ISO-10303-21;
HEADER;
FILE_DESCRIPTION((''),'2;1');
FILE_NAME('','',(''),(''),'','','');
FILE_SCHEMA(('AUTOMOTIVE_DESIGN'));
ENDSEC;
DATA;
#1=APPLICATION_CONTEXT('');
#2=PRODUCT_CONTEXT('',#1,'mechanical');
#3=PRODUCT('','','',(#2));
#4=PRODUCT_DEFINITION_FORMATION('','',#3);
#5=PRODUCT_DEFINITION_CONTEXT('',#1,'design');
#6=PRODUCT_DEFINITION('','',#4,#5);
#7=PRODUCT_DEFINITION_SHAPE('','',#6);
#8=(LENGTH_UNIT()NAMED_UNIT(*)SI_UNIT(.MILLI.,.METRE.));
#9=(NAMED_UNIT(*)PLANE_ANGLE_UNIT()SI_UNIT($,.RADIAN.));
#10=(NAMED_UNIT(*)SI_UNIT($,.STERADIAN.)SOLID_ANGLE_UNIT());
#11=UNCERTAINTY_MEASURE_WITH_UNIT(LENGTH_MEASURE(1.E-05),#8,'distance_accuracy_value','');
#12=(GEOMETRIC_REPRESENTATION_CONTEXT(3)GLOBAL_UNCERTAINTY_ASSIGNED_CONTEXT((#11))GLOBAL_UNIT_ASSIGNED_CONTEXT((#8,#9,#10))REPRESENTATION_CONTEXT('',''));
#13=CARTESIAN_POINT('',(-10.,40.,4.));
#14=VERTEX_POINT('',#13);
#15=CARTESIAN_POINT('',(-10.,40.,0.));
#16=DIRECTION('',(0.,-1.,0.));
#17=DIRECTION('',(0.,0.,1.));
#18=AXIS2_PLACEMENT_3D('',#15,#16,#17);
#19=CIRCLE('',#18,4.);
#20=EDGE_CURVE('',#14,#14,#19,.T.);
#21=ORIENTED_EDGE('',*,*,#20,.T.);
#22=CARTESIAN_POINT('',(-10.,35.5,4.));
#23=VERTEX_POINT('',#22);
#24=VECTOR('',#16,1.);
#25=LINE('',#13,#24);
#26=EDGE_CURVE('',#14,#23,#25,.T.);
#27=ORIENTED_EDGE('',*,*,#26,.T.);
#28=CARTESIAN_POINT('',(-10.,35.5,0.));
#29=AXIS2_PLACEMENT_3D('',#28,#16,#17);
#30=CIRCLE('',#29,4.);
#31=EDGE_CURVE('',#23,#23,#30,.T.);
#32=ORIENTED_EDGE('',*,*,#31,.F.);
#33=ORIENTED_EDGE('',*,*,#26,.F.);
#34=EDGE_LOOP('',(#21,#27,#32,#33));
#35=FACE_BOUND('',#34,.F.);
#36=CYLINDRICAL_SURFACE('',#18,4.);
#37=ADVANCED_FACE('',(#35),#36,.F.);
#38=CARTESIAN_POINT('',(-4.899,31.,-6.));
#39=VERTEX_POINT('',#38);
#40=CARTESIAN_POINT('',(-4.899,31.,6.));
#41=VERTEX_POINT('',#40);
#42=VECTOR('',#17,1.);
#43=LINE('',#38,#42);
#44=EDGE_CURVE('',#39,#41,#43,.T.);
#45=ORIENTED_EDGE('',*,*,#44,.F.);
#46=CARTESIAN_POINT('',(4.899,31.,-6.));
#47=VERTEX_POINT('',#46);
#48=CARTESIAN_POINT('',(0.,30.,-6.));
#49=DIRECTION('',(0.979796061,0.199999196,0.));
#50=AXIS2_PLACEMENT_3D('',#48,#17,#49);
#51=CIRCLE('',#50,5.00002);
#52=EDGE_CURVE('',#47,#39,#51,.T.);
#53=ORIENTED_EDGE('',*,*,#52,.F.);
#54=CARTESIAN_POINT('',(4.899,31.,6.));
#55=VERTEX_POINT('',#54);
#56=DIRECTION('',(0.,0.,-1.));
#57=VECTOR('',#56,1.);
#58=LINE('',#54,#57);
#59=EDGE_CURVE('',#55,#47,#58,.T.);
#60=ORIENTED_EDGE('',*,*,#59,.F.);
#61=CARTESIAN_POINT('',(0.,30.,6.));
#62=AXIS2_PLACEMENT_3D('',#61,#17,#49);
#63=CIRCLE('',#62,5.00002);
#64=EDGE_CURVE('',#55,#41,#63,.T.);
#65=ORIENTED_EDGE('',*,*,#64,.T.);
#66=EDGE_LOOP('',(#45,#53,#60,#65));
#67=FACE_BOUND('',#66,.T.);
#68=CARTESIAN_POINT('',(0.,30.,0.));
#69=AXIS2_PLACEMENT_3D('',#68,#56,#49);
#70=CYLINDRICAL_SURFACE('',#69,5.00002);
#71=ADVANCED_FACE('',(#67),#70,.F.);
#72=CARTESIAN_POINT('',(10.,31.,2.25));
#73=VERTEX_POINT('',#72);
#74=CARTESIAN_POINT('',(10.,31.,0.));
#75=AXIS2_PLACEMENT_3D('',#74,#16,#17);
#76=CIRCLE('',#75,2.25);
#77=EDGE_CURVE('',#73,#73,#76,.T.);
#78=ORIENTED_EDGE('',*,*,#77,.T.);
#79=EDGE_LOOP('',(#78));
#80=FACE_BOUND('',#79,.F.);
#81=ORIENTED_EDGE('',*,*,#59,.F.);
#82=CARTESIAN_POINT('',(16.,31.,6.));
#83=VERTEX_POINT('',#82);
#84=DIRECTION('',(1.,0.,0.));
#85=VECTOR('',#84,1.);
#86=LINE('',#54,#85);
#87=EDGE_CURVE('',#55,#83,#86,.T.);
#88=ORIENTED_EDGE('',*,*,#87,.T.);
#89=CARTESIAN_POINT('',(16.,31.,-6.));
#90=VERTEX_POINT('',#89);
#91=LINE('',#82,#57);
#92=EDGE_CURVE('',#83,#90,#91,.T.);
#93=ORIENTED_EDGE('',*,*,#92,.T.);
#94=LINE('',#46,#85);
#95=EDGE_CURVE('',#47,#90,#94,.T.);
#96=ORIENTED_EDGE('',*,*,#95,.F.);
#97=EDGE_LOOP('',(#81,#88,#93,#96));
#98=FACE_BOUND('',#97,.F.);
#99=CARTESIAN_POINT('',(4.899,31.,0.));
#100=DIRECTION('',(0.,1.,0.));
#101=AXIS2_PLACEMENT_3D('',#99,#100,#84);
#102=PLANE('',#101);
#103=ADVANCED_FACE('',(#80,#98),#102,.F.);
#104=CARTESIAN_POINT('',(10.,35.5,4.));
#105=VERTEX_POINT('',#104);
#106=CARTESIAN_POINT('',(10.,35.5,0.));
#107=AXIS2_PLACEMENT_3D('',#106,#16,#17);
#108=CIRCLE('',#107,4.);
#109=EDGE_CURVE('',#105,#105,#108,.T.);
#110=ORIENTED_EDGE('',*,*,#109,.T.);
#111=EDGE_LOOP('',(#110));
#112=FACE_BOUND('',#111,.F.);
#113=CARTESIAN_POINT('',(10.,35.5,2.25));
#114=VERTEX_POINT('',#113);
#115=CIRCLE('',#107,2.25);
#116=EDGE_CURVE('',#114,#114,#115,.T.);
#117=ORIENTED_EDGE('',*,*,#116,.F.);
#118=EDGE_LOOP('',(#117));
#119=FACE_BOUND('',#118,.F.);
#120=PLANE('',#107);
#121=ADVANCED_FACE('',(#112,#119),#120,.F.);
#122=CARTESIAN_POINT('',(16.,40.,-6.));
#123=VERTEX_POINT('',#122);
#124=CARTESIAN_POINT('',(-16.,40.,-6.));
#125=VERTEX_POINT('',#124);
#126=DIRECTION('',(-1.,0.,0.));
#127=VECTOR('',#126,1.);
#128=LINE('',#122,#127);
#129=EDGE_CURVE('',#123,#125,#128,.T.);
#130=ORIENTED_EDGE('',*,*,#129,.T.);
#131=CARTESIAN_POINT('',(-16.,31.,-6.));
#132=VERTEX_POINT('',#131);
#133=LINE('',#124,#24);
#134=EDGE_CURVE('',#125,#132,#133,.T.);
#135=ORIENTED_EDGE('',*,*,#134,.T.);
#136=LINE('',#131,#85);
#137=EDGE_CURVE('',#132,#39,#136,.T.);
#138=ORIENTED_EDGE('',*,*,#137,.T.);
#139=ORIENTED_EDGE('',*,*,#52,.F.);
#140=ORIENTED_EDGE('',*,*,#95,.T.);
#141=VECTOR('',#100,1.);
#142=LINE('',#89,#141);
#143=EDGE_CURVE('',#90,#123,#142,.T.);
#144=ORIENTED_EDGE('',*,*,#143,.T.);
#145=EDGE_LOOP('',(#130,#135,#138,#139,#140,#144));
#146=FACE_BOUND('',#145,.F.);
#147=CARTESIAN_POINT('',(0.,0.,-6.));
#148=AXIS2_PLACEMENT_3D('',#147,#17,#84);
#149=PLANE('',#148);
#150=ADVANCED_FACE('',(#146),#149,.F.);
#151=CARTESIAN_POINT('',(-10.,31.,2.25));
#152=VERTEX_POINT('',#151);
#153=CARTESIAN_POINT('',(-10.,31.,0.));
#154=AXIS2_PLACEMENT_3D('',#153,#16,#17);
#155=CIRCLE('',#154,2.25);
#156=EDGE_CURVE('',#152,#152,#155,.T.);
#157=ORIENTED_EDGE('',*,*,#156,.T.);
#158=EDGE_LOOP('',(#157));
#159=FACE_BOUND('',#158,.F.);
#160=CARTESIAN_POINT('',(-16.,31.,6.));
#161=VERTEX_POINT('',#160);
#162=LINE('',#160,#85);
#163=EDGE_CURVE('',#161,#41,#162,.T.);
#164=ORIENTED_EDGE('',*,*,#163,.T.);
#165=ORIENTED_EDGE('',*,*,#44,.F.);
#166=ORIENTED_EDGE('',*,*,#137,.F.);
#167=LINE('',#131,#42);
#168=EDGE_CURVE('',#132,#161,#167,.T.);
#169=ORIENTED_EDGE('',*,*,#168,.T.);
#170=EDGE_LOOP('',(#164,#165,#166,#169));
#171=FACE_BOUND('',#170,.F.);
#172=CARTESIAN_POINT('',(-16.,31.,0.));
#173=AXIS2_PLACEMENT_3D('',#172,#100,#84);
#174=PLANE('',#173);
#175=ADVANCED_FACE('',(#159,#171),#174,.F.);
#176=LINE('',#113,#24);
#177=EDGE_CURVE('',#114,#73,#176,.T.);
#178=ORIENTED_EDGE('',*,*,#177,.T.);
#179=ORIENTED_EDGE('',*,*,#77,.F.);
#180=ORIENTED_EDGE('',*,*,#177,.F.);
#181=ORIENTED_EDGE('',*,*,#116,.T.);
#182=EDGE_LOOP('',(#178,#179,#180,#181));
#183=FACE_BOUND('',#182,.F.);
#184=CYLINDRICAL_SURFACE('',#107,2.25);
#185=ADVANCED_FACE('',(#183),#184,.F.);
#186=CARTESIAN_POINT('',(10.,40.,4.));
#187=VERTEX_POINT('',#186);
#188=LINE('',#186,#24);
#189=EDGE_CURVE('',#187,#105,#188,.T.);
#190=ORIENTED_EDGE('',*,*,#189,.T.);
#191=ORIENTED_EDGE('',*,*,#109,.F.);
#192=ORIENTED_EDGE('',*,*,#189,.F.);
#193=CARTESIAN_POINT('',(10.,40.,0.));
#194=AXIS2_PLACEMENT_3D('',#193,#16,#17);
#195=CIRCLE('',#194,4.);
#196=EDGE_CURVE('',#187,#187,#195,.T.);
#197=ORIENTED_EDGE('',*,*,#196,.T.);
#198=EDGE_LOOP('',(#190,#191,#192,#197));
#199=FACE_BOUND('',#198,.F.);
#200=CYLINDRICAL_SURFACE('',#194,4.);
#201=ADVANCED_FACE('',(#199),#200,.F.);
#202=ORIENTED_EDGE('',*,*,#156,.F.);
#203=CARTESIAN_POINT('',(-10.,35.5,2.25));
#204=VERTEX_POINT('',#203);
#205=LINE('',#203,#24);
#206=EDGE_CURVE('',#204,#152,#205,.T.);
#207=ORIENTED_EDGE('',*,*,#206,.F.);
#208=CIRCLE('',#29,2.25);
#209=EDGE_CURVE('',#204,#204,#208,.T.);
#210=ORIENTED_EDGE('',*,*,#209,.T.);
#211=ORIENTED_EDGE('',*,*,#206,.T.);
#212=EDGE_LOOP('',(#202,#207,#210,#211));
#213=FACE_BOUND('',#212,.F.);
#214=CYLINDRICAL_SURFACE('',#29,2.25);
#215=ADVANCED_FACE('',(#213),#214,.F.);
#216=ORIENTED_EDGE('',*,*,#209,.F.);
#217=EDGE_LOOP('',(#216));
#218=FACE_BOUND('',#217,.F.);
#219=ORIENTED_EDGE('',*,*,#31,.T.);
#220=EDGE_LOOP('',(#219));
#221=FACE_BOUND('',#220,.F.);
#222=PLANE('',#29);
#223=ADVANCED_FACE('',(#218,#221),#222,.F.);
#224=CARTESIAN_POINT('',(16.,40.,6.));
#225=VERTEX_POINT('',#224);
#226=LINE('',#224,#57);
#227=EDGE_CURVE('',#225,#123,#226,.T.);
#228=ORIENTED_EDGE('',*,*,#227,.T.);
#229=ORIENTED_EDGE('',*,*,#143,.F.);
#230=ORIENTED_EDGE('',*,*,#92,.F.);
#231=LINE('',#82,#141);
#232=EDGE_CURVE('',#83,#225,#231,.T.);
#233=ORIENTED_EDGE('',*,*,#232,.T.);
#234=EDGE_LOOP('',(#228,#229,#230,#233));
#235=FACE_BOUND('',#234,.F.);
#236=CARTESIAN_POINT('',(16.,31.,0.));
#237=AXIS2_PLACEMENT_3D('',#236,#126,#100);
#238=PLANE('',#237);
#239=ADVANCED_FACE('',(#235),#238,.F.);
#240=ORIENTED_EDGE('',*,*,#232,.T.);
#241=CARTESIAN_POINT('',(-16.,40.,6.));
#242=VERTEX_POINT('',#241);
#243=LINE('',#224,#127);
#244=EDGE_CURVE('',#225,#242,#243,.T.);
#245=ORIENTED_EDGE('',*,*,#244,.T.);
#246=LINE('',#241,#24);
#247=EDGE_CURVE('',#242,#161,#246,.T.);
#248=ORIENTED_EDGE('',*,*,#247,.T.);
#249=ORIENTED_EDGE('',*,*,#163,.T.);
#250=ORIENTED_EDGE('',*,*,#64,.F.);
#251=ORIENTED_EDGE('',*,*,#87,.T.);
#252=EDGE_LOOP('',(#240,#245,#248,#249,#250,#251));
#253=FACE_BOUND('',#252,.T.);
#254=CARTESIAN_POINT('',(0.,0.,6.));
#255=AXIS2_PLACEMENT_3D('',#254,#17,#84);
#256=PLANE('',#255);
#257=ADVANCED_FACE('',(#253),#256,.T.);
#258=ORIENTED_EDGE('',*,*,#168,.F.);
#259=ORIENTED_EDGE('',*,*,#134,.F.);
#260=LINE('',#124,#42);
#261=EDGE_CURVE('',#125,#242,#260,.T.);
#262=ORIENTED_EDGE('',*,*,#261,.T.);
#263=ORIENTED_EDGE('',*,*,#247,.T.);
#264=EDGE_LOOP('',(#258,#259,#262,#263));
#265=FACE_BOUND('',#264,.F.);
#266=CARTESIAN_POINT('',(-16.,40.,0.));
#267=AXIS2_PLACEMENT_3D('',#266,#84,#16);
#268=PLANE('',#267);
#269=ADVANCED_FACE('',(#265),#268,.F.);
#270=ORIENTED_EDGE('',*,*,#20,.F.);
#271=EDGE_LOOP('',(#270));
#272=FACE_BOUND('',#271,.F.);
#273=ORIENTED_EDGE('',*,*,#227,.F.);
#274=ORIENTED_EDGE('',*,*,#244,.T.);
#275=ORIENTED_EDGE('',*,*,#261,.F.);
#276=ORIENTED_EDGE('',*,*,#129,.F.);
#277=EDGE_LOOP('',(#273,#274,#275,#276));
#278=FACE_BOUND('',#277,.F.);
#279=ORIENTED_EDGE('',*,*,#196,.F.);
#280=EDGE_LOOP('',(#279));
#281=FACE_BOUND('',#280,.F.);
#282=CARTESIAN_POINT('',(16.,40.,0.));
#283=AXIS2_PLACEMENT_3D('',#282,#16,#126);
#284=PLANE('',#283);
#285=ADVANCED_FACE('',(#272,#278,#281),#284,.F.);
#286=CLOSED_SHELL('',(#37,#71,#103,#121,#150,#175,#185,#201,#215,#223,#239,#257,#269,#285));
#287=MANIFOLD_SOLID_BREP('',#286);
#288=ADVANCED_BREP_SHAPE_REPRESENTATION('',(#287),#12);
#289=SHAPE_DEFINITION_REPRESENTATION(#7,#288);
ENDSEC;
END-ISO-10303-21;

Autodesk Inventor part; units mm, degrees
sketch "Sketch_10" plane through (0, 0, 0) normal (0, 0, 1) x (1, 0, 0)
  line L0 (-16, 40) -> (-16, 31)
  line L1 (-16, 31) -> (-4.899, 31)
  arc A0 (4.899, 31) -> (-4.899, 31) centre (0, 30) ccw
  line L2 (4.899, 31) -> (16, 31)
  line L3 (16, 31) -> (16, 40)
  line L4 (16, 40) -> (-16, 40)
extrude "Extrusion1" add sketch "Sketch_10" along normal mid plane 12
sketch "Sketch2" plane through (-16, 40, 6) normal (0, 1, 0) x (1, 0, 0)
  point P0 (26, 6)
hole "Hole1" at (10, 40, 0) direction (0, -1, 0) diameter 4.5 depth 9 counterbore diameter 8 counterbore depth 4.5
sketch "Sketch3" plane through (-16, 40, 6) normal (0, 1, 0) x (1, 0, 0)
  point P0 (6, 6)
hole "Hole2" at (-10, 40, 0) direction (0, -1, 0) diameter 4.5 depth 9 counterbore diameter 8 counterbore depth 4.5
ref_plane "p_to_b_XY" through (0, 0, 0) normal (0, 1, 0) x (1, 0, 0)
ref_plane "p_to_b_YZ" through (0, 0, 0) normal (1, 0, 0) x (0, 0, -1)
ref_plane "p_to_b_ZX" through (0, 0, 0) normal (0, 0, -1) x (0, 1, 0)
properties part number "SHZA10-30_p"
